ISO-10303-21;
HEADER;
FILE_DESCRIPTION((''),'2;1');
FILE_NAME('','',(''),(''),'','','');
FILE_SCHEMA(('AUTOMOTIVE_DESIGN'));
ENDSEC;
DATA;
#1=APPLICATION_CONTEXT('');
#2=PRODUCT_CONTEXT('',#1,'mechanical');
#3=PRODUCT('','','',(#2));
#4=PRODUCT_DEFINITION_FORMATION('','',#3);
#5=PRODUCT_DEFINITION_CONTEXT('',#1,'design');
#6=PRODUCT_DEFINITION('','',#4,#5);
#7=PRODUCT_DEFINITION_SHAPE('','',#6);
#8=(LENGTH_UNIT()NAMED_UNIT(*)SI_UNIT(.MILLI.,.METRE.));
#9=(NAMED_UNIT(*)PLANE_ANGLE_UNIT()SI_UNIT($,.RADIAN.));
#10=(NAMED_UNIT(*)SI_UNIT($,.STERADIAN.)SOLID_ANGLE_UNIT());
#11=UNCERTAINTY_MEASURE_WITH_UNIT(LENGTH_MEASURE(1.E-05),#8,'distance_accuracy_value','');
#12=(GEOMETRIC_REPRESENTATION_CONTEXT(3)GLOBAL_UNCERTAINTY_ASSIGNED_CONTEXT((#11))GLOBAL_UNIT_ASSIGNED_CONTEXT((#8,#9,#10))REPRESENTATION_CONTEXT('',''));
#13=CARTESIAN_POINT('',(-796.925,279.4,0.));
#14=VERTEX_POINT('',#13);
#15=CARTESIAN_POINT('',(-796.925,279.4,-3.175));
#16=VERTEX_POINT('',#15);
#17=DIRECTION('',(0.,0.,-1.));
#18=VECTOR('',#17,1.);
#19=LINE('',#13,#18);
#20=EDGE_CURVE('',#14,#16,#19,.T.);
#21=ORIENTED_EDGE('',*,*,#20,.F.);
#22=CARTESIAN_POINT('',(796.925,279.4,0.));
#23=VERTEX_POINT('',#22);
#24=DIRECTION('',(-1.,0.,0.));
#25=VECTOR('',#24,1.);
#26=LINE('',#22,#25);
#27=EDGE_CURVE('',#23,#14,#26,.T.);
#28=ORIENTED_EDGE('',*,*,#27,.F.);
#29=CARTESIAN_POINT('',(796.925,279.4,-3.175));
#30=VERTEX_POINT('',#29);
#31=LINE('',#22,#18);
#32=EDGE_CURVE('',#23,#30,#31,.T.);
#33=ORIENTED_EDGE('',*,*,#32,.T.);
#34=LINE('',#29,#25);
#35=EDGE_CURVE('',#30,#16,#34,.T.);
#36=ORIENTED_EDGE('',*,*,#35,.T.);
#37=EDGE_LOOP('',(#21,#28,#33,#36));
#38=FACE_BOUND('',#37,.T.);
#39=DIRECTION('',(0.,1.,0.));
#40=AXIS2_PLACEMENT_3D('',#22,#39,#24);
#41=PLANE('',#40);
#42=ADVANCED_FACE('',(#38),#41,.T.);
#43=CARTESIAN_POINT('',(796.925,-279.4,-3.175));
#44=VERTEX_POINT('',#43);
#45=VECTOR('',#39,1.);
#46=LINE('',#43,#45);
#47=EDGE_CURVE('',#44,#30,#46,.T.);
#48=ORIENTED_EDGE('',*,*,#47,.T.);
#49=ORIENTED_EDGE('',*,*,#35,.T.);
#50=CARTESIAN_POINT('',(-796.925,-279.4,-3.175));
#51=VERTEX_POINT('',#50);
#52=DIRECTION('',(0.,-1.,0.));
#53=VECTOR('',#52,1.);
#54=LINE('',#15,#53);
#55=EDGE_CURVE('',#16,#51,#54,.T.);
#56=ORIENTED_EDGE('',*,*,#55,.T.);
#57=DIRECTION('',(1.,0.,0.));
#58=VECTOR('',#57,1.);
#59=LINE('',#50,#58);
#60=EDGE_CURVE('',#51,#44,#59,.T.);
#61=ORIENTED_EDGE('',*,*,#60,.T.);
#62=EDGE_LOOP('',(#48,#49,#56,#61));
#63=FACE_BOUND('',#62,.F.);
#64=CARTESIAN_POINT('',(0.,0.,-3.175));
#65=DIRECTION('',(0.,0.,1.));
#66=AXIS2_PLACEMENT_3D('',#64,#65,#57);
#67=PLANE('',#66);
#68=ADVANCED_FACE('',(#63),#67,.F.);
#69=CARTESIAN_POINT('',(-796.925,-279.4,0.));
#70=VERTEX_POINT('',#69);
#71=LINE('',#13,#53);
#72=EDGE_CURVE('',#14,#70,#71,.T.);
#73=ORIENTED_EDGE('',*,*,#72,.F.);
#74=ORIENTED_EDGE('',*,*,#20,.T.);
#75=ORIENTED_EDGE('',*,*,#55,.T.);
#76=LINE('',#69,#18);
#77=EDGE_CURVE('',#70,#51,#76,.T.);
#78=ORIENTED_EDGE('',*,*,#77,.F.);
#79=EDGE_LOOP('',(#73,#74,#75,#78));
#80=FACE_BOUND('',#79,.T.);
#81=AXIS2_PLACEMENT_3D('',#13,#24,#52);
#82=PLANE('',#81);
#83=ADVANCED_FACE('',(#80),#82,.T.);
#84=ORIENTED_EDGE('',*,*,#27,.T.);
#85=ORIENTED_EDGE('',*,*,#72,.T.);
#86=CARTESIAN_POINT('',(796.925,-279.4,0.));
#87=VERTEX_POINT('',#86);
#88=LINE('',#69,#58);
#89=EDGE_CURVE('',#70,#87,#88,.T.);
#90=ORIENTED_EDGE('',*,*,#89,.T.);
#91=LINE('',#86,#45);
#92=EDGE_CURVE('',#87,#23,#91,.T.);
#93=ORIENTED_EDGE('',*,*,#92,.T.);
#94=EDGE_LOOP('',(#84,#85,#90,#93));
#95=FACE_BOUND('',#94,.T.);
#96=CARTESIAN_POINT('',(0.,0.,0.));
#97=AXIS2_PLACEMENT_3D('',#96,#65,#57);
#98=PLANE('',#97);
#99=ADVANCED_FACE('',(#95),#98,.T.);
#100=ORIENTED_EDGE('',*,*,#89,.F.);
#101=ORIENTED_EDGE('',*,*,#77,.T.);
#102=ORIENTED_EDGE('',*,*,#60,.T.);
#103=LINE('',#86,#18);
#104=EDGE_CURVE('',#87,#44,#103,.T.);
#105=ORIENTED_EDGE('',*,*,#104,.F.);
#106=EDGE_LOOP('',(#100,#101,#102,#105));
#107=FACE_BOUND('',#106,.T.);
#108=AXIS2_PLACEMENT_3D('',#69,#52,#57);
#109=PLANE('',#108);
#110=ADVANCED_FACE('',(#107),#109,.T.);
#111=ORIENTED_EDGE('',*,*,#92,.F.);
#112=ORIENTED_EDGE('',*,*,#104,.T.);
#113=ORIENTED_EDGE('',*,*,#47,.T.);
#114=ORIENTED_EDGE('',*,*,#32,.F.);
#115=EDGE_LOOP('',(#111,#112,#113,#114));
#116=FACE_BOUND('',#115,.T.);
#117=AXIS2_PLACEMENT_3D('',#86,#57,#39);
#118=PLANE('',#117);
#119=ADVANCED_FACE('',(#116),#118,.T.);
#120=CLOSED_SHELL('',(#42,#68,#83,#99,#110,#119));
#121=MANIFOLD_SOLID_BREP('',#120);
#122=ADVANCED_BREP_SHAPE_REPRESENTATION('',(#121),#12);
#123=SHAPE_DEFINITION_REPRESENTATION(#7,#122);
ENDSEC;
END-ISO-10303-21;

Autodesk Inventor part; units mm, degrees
ref_plane "YZ Plane" through (0, 0, 0) normal (1, 0, 0) x (0, 1, 0)
ref_plane "XZ Plane" through (0, 0, 0) normal (0, 1, 0) x (-1, 0, 0)
ref_plane "XY Plane" through (0, 0, 0) normal (0, 0, 1) x (1, 0, 0)
sketch "Sketch1" plane through (0, 0, 0) normal (0, 0, 1) x (1, 0, 0)
  line L0 (-796.925, -279.4) -> (796.925, -279.4)
  line L1 (796.925, -279.4) -> (796.925, 279.4)
  line L2 (796.925, 279.4) -> (-796.925, 279.4)
  line L3 (-796.925, 279.4) -> (-796.925, -279.4)
  line L4 (-796.925, -279.4) -> (796.925, 279.4) construction
  line L5 (796.925, -279.4) -> (-796.925, 279.4) construction
  point P0 (0, 0)
  dimension "d0" = 1593.85
  dimension "d1" = 558.8
extrude "Extrusion1" add sketch "Sketch1" against normal blind 3.175
properties part number "GE-13031" material "Polycarbonate, Clear"
